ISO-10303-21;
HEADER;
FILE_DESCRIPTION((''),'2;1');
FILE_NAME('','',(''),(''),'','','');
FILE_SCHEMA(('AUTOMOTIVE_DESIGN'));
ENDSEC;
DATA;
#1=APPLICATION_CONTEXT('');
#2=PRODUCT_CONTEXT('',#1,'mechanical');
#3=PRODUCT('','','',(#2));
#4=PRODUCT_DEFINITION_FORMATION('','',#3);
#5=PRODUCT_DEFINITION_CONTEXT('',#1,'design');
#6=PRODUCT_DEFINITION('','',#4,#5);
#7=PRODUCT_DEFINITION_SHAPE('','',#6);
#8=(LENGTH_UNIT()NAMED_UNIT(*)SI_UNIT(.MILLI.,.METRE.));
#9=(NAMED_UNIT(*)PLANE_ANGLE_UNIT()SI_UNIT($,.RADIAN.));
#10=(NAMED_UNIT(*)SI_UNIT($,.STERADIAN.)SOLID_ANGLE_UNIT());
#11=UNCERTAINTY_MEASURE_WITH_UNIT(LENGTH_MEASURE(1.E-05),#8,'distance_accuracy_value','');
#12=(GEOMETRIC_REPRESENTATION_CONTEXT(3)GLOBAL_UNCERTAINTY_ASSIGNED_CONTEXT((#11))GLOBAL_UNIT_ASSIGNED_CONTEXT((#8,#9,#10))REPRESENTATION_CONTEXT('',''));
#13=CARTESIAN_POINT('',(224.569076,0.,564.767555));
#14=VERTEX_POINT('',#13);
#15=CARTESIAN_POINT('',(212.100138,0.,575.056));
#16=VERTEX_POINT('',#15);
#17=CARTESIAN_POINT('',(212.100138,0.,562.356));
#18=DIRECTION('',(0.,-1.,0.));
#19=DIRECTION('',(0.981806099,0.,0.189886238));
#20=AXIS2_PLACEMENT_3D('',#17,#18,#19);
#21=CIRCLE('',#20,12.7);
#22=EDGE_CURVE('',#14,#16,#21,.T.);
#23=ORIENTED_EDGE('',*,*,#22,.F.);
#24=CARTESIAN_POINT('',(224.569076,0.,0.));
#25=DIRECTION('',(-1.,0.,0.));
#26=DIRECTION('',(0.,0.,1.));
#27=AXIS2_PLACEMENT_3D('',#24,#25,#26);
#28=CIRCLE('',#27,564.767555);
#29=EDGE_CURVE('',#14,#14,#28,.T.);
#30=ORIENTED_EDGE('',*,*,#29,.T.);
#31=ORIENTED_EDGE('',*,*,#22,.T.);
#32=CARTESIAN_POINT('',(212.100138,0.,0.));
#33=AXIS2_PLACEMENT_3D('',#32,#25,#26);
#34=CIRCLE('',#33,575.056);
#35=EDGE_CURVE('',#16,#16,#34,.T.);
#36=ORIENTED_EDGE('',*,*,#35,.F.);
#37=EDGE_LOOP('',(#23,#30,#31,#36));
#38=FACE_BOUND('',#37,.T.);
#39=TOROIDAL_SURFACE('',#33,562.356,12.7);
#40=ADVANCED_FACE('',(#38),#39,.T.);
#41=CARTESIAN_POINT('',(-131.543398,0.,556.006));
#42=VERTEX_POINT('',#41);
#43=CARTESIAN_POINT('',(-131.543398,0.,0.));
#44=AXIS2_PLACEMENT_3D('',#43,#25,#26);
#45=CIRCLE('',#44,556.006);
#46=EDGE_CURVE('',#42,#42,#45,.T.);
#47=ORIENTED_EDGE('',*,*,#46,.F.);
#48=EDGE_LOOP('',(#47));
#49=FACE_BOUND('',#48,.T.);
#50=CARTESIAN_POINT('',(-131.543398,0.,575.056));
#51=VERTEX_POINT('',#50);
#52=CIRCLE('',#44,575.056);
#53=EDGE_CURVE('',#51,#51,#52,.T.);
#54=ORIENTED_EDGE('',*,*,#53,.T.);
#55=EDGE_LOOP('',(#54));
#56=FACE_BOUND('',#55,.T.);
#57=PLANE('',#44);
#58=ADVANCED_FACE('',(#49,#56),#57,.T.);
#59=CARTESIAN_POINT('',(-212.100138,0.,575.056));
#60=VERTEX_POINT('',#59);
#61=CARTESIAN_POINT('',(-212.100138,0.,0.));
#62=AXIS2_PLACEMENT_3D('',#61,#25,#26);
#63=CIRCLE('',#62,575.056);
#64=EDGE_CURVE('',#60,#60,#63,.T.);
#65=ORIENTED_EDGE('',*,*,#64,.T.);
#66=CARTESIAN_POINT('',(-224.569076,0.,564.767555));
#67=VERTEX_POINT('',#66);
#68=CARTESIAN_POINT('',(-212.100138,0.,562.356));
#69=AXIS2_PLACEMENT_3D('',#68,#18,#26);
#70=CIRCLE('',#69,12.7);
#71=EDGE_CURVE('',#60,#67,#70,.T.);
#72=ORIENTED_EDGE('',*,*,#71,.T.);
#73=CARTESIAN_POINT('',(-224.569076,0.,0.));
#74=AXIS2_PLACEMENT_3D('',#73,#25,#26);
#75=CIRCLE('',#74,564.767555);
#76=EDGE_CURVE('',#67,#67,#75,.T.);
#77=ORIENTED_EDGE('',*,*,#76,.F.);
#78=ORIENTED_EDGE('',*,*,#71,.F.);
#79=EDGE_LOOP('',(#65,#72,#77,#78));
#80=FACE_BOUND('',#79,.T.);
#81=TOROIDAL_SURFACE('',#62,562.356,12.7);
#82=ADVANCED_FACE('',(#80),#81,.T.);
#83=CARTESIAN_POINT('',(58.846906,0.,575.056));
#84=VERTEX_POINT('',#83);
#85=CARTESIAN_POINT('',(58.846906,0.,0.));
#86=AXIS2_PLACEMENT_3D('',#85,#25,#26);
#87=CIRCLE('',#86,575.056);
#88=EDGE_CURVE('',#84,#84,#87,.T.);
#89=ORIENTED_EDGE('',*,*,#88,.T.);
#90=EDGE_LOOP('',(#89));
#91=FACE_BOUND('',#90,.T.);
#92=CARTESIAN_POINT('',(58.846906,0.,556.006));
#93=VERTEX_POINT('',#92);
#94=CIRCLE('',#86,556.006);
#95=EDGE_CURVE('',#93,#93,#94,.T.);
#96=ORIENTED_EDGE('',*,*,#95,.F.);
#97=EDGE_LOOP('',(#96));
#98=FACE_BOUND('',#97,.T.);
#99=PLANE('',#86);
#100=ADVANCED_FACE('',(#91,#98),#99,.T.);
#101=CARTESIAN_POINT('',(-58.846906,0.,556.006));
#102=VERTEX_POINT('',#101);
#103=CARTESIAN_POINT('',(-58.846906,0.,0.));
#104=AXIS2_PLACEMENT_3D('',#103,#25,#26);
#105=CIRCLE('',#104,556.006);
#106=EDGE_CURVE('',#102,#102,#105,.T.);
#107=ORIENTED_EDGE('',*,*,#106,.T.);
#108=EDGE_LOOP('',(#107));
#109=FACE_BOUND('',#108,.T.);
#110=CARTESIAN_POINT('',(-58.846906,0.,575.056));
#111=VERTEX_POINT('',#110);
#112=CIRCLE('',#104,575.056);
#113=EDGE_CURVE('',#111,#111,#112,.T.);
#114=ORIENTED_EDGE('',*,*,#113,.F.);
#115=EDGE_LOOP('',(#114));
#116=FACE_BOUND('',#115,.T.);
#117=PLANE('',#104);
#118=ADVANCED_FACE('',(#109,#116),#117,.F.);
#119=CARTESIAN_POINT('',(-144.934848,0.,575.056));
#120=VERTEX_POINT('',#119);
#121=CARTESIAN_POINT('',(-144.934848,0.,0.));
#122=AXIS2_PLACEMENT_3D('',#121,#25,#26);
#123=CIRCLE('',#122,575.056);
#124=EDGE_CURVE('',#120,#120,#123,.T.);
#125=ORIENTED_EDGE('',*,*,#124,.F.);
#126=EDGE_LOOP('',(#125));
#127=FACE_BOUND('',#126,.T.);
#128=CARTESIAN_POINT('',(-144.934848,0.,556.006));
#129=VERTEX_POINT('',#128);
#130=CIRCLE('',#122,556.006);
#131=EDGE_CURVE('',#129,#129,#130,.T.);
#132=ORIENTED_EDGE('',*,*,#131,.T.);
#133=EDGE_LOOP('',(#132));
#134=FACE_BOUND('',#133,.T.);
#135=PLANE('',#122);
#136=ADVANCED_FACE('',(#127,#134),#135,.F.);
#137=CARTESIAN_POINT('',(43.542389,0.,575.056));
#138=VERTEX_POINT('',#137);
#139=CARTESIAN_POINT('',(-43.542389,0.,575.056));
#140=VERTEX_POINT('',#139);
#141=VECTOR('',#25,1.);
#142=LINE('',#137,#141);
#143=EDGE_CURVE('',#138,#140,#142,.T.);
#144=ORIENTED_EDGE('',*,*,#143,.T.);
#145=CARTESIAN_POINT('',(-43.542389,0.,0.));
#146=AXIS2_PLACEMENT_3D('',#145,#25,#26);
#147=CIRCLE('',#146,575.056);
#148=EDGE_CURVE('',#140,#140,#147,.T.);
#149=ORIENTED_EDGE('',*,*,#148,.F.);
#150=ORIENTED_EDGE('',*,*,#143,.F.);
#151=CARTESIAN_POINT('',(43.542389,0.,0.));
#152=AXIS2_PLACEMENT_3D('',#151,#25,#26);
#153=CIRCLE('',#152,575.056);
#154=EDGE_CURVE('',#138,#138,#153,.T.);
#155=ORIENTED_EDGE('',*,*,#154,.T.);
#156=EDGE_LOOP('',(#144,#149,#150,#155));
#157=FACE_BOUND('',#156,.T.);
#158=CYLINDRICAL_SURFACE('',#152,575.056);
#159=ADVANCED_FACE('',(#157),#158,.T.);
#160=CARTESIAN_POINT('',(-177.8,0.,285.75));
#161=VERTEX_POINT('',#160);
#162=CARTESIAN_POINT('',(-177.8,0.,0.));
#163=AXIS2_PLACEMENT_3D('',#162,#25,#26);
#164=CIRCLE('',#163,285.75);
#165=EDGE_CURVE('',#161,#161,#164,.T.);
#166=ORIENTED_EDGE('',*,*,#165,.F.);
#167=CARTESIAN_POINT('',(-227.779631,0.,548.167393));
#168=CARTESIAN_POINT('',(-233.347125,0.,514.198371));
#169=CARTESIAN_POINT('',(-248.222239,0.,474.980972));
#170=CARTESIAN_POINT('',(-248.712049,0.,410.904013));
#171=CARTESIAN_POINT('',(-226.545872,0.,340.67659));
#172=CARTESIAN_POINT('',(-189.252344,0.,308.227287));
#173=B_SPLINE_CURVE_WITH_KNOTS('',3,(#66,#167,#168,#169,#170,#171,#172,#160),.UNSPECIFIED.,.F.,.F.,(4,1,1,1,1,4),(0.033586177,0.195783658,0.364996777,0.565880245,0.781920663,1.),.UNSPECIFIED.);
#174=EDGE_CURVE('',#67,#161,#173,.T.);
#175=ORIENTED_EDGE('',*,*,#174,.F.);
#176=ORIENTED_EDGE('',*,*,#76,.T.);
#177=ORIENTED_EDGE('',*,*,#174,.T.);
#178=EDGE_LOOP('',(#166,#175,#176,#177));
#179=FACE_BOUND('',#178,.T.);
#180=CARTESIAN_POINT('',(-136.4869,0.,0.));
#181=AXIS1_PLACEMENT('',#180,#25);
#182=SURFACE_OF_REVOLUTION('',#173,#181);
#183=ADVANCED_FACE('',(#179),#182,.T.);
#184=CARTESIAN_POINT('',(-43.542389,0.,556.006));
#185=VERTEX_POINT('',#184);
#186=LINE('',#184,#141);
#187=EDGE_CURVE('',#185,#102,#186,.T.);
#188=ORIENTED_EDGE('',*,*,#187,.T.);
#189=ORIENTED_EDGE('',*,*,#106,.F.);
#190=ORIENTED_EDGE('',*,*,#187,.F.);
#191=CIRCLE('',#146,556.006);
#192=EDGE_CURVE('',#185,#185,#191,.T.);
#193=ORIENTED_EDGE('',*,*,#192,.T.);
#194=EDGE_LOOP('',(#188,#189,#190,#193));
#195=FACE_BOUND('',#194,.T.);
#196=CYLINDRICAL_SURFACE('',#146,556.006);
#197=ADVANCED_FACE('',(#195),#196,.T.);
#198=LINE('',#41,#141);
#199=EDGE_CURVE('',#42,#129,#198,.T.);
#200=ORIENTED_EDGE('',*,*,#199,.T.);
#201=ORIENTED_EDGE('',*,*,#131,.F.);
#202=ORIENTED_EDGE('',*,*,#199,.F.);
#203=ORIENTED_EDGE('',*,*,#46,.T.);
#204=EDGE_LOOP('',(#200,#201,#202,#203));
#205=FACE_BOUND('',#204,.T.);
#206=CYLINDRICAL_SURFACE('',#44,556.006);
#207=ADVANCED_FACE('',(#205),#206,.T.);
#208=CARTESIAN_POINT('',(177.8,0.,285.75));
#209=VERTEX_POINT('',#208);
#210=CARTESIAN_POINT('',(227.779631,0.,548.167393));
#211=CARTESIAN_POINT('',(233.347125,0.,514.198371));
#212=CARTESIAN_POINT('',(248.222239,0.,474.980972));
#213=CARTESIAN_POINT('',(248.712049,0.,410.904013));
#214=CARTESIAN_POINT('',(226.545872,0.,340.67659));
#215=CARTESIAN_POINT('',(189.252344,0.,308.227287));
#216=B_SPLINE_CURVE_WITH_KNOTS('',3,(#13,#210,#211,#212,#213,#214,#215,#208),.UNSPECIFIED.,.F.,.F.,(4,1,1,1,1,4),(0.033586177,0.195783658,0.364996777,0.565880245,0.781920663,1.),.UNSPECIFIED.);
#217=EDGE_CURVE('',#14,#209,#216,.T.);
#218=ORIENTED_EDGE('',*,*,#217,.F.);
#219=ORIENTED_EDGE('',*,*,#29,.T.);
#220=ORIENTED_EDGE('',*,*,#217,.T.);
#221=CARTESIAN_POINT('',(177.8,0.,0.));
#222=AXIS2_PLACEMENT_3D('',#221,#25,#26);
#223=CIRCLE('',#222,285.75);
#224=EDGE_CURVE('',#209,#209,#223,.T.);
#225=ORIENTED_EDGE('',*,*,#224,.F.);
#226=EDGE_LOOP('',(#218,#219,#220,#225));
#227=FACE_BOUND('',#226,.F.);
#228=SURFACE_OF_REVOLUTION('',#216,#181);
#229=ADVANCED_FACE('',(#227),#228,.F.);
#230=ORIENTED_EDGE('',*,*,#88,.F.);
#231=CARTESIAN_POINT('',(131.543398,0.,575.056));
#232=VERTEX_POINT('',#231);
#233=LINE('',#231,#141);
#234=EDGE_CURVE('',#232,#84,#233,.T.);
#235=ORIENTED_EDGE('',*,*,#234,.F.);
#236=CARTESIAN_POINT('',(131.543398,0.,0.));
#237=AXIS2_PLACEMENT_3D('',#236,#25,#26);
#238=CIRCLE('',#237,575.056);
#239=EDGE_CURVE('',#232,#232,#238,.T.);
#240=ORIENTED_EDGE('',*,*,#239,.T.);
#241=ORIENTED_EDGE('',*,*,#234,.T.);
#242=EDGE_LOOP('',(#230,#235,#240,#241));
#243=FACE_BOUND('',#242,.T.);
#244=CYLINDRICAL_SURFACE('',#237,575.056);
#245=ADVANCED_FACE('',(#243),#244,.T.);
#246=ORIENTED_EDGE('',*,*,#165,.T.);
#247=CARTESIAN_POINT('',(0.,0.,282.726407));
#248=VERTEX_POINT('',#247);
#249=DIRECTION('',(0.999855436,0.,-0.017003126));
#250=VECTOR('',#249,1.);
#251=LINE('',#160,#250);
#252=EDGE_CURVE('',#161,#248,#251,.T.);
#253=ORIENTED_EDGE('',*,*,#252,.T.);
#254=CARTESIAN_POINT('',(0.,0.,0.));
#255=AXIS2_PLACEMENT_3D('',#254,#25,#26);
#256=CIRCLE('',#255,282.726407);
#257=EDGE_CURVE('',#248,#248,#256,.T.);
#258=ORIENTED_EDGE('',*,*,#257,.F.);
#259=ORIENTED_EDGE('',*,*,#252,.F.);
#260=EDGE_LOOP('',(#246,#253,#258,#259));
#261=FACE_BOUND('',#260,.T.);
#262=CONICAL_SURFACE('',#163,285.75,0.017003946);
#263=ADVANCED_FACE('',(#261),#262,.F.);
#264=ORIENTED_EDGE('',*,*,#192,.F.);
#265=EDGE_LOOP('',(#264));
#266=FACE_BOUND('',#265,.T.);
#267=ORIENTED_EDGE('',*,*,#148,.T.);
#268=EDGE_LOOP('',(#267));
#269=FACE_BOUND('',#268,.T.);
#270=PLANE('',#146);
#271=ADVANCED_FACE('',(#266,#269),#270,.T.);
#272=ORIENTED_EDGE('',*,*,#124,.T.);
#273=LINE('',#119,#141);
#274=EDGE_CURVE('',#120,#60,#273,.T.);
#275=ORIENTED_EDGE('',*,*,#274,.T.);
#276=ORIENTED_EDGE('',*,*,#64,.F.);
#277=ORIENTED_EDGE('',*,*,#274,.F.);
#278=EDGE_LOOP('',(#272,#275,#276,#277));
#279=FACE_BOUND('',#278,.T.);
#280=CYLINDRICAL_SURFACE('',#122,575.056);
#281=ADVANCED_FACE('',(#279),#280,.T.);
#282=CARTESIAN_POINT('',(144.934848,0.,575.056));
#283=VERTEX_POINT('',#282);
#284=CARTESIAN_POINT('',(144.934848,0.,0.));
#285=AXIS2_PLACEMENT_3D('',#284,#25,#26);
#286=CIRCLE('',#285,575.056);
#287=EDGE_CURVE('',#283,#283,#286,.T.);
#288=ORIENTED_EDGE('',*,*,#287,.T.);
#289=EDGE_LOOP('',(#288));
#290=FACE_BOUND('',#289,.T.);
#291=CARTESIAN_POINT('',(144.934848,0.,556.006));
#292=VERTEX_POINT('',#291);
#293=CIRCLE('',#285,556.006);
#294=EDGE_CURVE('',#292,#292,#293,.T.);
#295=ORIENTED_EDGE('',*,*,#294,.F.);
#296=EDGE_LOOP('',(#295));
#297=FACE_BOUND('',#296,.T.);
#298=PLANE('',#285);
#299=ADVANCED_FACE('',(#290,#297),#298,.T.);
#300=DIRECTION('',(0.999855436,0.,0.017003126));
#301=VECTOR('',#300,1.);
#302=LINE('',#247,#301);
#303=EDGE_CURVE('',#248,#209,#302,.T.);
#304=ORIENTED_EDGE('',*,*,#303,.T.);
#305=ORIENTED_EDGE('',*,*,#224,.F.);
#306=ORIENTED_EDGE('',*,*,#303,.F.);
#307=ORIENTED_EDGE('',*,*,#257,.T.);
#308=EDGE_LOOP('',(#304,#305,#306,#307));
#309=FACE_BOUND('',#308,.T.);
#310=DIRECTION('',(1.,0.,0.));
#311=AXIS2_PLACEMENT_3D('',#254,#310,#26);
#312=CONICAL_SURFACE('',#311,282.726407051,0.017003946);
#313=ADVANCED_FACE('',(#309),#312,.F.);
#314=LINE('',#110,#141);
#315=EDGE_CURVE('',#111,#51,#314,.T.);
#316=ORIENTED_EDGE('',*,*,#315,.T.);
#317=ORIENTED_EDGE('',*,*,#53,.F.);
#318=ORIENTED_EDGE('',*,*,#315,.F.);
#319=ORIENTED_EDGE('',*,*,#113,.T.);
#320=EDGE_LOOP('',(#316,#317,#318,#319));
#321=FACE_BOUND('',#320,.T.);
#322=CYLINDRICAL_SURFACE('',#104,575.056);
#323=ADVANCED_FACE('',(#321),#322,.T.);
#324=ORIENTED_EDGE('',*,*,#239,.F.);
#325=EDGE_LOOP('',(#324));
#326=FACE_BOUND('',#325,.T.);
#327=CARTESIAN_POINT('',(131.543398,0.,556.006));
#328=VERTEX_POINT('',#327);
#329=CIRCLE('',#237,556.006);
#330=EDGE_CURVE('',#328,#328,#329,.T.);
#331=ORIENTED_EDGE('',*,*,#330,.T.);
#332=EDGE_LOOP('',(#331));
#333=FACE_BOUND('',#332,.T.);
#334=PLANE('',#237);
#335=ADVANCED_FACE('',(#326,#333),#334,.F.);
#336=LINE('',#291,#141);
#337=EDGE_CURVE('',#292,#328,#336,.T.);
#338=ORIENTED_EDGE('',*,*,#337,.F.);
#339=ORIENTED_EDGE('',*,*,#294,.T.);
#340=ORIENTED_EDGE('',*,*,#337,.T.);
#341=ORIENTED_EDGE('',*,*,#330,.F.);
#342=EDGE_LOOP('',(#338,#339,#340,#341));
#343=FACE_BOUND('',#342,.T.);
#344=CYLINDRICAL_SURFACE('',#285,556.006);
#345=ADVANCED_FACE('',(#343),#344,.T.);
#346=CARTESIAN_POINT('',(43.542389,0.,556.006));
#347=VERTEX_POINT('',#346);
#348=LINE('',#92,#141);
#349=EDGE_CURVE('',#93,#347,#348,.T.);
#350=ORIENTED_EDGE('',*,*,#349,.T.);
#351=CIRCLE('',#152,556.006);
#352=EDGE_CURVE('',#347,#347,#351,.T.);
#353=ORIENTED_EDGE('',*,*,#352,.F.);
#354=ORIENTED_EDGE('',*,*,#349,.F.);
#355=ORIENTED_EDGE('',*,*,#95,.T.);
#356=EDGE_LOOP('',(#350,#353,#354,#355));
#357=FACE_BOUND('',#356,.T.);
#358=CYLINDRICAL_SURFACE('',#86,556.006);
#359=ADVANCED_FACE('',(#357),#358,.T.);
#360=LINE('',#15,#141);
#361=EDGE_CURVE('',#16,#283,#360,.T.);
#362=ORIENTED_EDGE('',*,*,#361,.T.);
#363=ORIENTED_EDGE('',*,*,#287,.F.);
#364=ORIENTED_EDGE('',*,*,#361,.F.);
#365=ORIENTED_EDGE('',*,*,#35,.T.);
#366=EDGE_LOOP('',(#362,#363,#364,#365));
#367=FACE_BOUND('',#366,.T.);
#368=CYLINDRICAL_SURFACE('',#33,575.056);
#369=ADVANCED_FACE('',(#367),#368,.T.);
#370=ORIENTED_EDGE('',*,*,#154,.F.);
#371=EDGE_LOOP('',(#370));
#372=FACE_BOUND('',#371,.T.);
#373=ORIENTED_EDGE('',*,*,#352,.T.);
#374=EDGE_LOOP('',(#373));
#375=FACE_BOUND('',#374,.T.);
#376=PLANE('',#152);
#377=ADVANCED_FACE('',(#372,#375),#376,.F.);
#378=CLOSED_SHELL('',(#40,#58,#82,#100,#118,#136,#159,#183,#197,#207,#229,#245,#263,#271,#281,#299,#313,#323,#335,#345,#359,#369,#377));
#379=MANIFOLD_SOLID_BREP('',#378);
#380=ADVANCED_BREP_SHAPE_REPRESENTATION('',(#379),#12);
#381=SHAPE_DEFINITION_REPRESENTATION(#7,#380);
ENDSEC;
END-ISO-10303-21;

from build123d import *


with BuildPart() as f1:
    # F0 (on Front) → F1 (revolve)
    with BuildSketch(Plane.XZ):
        with BuildLine():
            Line((43.5423888266, 575.056), (0, 575.056))
            Line((0, 575.056), (0, 282.7264070511))
            Line((0, 282.7264070511), (177.8, 285.75))
            add(Edge.make_bspline(
                [(224.5690759579, 564.767555223), (227.7796308402, 548.1673929456), (233.3471252817, 514.1983709737), (248.222238916, 474.9809723209), (248.7120492832, 410.904012525), (226.5458717742, 340.6765904704), (189.2523436606, 308.2272869189), (177.8, 285.75)],
                knots=[0.0335861765, 0.0335861765, 0.0335861765, 0.0335861765, 0.1957836583, 0.3649967769, 0.565880245, 0.781920663, 1, 1, 1, 1], degree=3))
            ThreePointArc((224.5690759579, 564.767555223), (220.182936548, 572.1518346079), (212.1001384969, 575.056))
            Line((212.1001384969, 575.056), (144.9348479509, 575.056))
            Line((144.9348479509, 575.056), (144.9348479509, 556.006))
            Line((144.9348479509, 556.006), (131.5433979034, 556.006))
            Line((131.5433979034, 556.006), (131.5433979034, 575.056))
            Line((131.5433979034, 575.056), (58.8469058275, 575.056))
            Line((58.8469058275, 575.056), (58.8469058275, 556.006))
            Line((58.8469058275, 556.006), (43.5423888266, 556.006))
            Line((43.5423888266, 556.006), (43.5423888266, 575.056))
        make_face()
        with BuildLine():
            Line((0, 282.7264070511), (0, 575.056))
            Line((0, 575.056), (-43.5423888266, 575.056))
            Line((-43.5423888266, 575.056), (-43.5423888266, 556.006))
            Line((-43.5423888266, 556.006), (-58.8469058275, 556.006))
            Line((-58.8469058275, 556.006), (-58.8469058275, 575.056))
            Line((-58.8469058275, 575.056), (-131.5433979034, 575.056))
            Line((-131.5433979034, 575.056), (-131.5433979034, 556.006))
            Line((-131.5433979034, 556.006), (-144.9348479509, 556.006))
            Line((-144.9348479509, 556.006), (-144.9348479509, 575.056))
            Line((-144.9348479509, 575.056), (-212.1001384969, 575.056))
            ThreePointArc((-212.1001384969, 575.056), (-220.182936548, 572.1518346079), (-224.5690759579, 564.767555223))
            add(Edge.make_bspline(
                [(-224.5690759579, 564.767555223), (-227.7796308402, 548.1673929456), (-233.3471252817, 514.1983709737), (-248.222238916, 474.9809723209), (-248.7120492832, 410.904012525), (-226.5458717742, 340.6765904704), (-189.2523436606, 308.2272869189), (-177.8, 285.75)],
                knots=[0.0335861765, 0.0335861765, 0.0335861765, 0.0335861765, 0.1957836583, 0.3649967769, 0.565880245, 0.781920663, 1, 1, 1, 1], degree=3))
            Line((-177.8, 285.75), (0, 282.7264070511))
        make_face()
    revolve(axis=Axis((-136.4869, 0, 0), (-1, 0, 0)))


solid = f1.part
